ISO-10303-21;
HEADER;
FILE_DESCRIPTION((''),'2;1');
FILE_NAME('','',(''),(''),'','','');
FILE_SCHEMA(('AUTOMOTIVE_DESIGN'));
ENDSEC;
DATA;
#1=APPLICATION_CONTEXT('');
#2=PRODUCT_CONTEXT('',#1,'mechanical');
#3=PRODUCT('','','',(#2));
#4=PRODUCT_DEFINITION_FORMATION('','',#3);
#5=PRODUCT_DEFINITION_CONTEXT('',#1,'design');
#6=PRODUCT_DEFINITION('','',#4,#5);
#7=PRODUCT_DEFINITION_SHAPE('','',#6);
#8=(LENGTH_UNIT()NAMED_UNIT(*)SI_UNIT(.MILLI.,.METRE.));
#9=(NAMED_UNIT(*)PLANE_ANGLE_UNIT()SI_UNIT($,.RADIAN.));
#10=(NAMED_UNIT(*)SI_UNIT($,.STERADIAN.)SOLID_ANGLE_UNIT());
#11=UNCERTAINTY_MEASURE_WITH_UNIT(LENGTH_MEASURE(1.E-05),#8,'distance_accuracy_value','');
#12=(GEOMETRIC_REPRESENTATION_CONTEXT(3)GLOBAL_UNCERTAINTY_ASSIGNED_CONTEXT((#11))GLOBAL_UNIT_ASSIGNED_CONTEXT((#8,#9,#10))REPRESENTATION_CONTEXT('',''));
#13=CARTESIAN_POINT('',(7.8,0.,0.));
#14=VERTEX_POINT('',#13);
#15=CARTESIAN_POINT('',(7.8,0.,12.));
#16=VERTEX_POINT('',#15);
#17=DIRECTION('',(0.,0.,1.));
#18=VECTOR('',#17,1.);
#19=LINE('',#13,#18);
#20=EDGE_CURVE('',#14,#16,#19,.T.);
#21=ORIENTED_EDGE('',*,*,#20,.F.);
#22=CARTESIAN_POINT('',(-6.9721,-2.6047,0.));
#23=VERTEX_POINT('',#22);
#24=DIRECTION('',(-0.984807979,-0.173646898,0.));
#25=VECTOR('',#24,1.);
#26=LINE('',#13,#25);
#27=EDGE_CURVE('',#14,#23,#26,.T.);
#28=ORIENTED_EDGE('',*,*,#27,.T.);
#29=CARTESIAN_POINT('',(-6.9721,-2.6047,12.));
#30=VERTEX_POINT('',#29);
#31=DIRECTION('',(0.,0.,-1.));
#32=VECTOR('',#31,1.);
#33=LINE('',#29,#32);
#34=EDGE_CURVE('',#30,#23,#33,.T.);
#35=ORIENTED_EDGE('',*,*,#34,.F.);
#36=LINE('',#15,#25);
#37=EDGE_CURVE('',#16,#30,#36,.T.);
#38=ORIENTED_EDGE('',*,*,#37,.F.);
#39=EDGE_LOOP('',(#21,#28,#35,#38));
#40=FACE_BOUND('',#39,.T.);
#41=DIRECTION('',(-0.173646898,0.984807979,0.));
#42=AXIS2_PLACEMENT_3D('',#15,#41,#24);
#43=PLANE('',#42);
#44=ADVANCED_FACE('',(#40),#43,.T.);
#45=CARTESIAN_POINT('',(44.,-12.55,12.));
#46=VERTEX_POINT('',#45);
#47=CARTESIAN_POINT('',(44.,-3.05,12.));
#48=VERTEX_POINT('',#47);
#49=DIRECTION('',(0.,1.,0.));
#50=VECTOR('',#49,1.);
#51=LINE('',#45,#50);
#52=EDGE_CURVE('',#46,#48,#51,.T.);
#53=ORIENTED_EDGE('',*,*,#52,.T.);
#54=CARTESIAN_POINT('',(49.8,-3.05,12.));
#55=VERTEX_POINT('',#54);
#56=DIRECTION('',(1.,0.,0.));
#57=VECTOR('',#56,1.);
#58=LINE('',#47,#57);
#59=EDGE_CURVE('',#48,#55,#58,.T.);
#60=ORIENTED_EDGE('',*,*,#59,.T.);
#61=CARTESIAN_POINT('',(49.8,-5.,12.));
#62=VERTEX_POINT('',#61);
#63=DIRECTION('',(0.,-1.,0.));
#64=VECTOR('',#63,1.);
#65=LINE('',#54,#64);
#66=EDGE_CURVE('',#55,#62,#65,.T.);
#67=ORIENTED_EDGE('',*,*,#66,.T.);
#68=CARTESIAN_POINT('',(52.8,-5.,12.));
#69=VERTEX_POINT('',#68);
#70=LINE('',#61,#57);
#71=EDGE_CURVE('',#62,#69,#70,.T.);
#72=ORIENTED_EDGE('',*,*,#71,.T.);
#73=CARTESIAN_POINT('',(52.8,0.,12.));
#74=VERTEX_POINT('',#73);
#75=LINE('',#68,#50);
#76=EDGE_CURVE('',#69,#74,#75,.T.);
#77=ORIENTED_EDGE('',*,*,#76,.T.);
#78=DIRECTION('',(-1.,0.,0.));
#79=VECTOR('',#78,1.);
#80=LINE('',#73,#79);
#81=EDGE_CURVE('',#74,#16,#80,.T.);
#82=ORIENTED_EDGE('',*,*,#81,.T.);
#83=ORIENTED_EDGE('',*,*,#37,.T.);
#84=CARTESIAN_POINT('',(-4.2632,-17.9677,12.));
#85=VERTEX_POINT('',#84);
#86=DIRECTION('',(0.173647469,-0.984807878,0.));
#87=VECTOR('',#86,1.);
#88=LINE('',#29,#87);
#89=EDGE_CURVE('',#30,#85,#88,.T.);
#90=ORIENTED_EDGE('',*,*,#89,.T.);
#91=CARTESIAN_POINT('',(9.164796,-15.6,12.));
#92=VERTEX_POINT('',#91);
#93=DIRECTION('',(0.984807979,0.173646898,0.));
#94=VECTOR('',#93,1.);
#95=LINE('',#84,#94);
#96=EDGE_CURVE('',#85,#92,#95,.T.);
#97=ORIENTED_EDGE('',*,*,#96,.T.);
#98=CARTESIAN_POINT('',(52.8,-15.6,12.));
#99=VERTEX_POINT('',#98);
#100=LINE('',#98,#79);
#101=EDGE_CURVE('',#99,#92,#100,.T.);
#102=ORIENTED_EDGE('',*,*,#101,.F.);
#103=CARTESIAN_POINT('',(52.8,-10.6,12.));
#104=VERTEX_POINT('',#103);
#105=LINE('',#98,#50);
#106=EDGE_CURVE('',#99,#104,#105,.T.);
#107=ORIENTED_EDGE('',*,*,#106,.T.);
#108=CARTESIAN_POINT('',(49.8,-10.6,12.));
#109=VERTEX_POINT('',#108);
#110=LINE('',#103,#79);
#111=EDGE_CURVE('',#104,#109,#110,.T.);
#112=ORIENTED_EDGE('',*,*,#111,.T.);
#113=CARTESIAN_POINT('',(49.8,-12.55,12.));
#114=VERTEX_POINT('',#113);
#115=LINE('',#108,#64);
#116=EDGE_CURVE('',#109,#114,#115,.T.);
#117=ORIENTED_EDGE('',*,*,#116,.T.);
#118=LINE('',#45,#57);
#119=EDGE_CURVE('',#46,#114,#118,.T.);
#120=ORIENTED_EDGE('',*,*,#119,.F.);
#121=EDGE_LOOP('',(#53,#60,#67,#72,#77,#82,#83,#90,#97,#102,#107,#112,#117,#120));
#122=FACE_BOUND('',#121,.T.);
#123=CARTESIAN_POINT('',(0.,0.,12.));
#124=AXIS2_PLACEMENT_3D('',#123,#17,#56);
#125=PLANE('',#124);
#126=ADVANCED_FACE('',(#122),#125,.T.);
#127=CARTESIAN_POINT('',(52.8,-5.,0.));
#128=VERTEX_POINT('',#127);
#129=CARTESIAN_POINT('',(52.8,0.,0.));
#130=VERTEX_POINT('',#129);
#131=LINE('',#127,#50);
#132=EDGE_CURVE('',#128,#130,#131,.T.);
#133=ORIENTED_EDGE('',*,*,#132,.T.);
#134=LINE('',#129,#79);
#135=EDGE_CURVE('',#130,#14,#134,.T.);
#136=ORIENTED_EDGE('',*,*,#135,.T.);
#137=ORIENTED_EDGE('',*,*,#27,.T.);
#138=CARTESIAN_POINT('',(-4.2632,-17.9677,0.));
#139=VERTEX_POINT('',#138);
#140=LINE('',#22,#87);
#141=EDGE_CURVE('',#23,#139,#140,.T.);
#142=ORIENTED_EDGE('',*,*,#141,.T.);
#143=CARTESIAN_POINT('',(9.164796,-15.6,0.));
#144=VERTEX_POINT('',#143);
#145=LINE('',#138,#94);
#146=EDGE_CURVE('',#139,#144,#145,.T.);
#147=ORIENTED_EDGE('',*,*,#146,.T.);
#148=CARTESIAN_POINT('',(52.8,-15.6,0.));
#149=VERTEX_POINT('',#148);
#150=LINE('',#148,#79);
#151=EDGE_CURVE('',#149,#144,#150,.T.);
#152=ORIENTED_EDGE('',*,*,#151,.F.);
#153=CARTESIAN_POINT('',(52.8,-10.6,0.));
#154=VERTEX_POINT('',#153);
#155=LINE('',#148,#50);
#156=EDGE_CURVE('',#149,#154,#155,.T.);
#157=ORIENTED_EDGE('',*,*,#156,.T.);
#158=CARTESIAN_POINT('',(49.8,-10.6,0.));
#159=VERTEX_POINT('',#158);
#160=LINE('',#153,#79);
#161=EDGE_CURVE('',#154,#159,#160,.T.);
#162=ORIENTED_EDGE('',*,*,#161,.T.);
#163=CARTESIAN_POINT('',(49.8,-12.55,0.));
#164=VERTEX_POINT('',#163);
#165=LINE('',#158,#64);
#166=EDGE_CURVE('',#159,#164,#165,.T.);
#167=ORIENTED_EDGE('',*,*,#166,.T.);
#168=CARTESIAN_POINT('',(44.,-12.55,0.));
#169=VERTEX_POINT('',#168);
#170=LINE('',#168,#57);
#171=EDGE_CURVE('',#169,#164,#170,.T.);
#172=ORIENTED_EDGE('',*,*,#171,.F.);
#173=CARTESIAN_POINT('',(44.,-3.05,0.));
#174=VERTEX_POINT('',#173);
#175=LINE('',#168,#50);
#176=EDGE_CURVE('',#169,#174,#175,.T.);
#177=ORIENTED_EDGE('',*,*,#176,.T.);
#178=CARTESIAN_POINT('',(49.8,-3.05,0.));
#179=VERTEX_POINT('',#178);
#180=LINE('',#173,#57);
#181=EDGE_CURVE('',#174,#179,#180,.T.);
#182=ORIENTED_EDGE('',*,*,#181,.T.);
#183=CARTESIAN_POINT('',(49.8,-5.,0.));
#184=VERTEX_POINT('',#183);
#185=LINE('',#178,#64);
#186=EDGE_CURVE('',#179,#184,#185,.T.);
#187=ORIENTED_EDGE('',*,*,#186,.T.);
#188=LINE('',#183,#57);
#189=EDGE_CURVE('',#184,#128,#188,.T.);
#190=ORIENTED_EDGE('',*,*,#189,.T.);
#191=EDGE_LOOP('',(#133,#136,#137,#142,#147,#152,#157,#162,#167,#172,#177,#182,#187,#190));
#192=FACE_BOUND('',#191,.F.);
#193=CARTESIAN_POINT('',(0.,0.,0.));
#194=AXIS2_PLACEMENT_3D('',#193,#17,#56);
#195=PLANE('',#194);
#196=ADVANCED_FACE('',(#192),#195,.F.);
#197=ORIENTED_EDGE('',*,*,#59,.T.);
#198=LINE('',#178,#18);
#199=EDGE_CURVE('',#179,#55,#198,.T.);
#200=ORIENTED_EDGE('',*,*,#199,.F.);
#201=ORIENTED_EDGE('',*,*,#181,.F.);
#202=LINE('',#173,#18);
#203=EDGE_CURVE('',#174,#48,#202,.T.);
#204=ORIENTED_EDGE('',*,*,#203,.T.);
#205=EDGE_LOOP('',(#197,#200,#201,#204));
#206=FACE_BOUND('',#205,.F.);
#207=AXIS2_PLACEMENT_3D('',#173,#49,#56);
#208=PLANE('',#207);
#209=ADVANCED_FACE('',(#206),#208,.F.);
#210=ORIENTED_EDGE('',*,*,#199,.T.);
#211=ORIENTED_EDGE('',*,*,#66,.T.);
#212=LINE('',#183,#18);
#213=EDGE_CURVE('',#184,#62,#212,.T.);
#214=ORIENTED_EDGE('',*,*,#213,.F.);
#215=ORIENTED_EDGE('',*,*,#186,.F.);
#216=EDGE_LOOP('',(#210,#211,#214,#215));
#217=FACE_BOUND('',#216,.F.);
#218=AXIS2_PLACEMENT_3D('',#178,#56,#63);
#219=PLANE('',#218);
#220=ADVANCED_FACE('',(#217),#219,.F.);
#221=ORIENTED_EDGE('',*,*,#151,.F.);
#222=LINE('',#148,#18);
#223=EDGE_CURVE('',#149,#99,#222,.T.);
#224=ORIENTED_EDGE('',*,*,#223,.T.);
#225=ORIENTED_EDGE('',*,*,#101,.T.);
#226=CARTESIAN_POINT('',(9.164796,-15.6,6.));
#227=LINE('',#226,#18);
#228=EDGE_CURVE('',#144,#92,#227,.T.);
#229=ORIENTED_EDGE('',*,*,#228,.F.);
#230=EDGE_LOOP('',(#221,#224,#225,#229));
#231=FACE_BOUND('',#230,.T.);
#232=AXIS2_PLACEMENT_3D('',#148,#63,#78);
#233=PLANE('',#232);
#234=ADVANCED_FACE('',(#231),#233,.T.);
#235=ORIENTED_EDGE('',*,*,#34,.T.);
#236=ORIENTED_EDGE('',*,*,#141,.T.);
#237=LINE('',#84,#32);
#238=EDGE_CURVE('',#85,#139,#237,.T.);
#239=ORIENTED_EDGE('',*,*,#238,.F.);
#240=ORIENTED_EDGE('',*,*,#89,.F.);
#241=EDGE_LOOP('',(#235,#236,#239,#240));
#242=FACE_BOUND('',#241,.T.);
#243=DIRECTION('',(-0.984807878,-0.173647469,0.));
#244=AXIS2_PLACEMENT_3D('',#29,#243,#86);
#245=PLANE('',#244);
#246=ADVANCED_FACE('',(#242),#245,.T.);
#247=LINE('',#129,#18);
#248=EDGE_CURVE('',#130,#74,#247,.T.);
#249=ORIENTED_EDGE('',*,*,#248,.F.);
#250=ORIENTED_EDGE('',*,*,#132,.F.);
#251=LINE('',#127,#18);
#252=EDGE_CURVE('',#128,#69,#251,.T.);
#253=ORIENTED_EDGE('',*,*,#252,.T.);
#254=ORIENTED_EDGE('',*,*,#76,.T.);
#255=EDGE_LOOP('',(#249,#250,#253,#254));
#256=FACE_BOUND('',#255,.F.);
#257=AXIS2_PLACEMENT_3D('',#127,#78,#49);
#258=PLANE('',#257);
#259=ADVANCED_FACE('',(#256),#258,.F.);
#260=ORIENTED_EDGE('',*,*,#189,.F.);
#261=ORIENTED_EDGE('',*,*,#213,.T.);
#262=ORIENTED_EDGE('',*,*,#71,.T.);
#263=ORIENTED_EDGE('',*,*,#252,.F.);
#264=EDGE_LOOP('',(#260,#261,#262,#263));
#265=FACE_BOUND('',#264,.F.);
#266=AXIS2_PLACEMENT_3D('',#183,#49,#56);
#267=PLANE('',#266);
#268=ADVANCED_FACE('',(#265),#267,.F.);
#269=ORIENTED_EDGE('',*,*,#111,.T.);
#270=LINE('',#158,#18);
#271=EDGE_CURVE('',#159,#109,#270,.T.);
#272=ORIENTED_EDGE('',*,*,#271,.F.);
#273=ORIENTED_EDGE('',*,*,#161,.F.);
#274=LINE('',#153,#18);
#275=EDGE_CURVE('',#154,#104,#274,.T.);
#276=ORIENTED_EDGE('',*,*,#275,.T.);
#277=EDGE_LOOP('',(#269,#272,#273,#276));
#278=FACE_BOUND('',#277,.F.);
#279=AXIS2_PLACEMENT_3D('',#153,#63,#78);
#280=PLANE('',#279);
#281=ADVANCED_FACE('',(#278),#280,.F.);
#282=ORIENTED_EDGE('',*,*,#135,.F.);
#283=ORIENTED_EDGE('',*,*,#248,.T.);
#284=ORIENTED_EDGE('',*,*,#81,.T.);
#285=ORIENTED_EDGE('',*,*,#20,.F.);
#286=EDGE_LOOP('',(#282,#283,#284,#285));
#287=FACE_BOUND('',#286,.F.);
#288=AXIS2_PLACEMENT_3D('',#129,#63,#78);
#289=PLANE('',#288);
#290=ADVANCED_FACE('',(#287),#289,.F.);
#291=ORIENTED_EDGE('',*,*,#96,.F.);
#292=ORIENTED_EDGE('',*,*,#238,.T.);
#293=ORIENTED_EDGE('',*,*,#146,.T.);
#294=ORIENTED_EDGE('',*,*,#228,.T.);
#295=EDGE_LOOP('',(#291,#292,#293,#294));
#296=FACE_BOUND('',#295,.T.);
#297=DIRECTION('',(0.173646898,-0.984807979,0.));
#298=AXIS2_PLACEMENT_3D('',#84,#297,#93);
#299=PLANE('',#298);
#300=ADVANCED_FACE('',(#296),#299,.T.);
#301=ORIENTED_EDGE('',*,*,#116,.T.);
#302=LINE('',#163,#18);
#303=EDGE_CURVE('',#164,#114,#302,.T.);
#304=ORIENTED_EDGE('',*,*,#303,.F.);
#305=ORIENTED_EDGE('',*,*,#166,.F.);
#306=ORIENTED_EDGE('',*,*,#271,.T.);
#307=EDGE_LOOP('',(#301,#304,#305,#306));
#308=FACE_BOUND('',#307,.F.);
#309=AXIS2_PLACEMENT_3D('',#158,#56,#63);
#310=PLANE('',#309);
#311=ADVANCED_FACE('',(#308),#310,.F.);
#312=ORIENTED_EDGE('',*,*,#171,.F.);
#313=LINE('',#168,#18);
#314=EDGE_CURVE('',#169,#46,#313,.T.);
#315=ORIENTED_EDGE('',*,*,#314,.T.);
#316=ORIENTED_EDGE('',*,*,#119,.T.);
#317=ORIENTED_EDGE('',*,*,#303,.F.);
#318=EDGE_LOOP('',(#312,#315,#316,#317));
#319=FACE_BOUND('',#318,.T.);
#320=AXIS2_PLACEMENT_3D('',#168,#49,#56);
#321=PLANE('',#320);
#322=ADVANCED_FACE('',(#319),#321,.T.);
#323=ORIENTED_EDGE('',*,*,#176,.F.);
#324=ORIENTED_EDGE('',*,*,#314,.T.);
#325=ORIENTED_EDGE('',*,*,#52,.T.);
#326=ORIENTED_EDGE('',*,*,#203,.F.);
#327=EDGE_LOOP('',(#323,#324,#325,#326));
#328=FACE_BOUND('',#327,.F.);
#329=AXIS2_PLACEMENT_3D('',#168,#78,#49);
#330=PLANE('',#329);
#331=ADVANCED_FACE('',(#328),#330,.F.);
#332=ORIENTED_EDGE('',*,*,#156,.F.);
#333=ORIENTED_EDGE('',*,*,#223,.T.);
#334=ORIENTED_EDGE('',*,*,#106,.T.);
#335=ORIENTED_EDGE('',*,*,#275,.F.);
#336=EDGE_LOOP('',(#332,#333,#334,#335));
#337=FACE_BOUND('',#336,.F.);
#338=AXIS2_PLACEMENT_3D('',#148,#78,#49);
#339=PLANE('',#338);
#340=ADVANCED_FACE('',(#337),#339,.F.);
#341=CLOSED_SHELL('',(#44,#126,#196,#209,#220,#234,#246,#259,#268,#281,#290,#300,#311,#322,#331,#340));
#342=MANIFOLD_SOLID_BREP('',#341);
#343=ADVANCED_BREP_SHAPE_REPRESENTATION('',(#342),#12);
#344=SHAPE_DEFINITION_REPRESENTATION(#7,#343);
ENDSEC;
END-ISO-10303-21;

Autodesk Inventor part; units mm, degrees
ref_plane "YZ Plane" through (0, 0, 0) normal (1, 0, 0) x (0, 1, 0)
ref_plane "XZ Plane" through (0, 0, 0) normal (0, 1, 0) x (-1, 0, 0)
ref_plane "XY Plane" through (0, 0, 0) normal (0, 0, 1) x (1, 0, 0)
sketch "Sketch5" plane through (0, 0, 0) normal (0, 0, 1) x (1, 0, 0)
  line L0 (52.8, -15.6) -> (52.8, -10.6)
  line L1 (52.8, -10.6) -> (49.8, -10.6)
  line L2 (49.8, -10.6) -> (49.8, -12.55)
  line L3 (44, -12.55) -> (44, -3.05)
  line L4 (49.8, -3.05) -> (49.8, -5)
  line L5 (49.8, -5) -> (52.8, -5)
  line L6 (52.8, -5) -> (52.8, 0)
  line L7 (52.8, 0) -> (7.8, 0)
  line L8 (44, -3.05) -> (49.8, -3.05)
  line L9 (44, -12.55) -> (49.8, -12.55)
  line L10 (52.8, -15.6) -> (7.8, -15.6)
  arc A0 (7.8, 0) -> (7.8, -15.6) centre (7.8, -7.8) ccw
  point P0 (0, 0)
  dimension "d41" = 5.8
  dimension "d48" = 44
  dimension "d50" = 3
  dimension "d63" = 45
  dimension "d67" = 15.6
  dimension "d71" = 0
  dimension "d72" = 36.2
  dimension "d80" = 5.6
  dimension "d81" = 9.5
extrude "Extrusion2" add sketch "Sketch5" along normal blind 12
sketch "Sketch7" plane through (0, 0, 12) normal (0, 0, 1) x (1, 0, 0)
  line L0 (52.8, 0) -> (7.8, 0) projected
  line L1 (7.8, 0) -> (0, 0)
  line L2 (0, 0) -> (0, -15.6)
  line L3 (0, -15.6) -> (7.8, -15.6)
  line L4 (7.8, -15.6) -> (7.8, 0)
  point P0 (0, 0)
extrude "Extrusion4" cut sketch "Sketch7" against normal through all
sketch "Sketch9" plane through (0, 0, 12) normal (0, 0, 1) x (1, 0, 0)
  line L0 (52.8, 0) -> (7.8, 0) projected
  line L1 (7.8, 0) -> (-6.9721, -2.6047)
  line L2 (-6.9721, -2.6047) -> (-4.2632, -17.9677)
  line L3 (-4.2632, -17.9677) -> (10.5089, -15.363)
  line L4 (7.8, 0) -> (10.5089, -15.363)
  line L5 (7.8, 0) -> (7.8, -15.6) projected
  point P0 (0, 0)
  dimension "d83" = 15.6
  dimension "d84" = 10
  dimension "d85" = 90
  dimension "d86" = 10
  dimension "d87" = 15
extrude "Extrusion5" add sketch "Sketch9" against normal up to surface (12 mm away)
equation "\"l1\" = 8"
properties part number "Finray_test_8_Flach_winkel10deg"
